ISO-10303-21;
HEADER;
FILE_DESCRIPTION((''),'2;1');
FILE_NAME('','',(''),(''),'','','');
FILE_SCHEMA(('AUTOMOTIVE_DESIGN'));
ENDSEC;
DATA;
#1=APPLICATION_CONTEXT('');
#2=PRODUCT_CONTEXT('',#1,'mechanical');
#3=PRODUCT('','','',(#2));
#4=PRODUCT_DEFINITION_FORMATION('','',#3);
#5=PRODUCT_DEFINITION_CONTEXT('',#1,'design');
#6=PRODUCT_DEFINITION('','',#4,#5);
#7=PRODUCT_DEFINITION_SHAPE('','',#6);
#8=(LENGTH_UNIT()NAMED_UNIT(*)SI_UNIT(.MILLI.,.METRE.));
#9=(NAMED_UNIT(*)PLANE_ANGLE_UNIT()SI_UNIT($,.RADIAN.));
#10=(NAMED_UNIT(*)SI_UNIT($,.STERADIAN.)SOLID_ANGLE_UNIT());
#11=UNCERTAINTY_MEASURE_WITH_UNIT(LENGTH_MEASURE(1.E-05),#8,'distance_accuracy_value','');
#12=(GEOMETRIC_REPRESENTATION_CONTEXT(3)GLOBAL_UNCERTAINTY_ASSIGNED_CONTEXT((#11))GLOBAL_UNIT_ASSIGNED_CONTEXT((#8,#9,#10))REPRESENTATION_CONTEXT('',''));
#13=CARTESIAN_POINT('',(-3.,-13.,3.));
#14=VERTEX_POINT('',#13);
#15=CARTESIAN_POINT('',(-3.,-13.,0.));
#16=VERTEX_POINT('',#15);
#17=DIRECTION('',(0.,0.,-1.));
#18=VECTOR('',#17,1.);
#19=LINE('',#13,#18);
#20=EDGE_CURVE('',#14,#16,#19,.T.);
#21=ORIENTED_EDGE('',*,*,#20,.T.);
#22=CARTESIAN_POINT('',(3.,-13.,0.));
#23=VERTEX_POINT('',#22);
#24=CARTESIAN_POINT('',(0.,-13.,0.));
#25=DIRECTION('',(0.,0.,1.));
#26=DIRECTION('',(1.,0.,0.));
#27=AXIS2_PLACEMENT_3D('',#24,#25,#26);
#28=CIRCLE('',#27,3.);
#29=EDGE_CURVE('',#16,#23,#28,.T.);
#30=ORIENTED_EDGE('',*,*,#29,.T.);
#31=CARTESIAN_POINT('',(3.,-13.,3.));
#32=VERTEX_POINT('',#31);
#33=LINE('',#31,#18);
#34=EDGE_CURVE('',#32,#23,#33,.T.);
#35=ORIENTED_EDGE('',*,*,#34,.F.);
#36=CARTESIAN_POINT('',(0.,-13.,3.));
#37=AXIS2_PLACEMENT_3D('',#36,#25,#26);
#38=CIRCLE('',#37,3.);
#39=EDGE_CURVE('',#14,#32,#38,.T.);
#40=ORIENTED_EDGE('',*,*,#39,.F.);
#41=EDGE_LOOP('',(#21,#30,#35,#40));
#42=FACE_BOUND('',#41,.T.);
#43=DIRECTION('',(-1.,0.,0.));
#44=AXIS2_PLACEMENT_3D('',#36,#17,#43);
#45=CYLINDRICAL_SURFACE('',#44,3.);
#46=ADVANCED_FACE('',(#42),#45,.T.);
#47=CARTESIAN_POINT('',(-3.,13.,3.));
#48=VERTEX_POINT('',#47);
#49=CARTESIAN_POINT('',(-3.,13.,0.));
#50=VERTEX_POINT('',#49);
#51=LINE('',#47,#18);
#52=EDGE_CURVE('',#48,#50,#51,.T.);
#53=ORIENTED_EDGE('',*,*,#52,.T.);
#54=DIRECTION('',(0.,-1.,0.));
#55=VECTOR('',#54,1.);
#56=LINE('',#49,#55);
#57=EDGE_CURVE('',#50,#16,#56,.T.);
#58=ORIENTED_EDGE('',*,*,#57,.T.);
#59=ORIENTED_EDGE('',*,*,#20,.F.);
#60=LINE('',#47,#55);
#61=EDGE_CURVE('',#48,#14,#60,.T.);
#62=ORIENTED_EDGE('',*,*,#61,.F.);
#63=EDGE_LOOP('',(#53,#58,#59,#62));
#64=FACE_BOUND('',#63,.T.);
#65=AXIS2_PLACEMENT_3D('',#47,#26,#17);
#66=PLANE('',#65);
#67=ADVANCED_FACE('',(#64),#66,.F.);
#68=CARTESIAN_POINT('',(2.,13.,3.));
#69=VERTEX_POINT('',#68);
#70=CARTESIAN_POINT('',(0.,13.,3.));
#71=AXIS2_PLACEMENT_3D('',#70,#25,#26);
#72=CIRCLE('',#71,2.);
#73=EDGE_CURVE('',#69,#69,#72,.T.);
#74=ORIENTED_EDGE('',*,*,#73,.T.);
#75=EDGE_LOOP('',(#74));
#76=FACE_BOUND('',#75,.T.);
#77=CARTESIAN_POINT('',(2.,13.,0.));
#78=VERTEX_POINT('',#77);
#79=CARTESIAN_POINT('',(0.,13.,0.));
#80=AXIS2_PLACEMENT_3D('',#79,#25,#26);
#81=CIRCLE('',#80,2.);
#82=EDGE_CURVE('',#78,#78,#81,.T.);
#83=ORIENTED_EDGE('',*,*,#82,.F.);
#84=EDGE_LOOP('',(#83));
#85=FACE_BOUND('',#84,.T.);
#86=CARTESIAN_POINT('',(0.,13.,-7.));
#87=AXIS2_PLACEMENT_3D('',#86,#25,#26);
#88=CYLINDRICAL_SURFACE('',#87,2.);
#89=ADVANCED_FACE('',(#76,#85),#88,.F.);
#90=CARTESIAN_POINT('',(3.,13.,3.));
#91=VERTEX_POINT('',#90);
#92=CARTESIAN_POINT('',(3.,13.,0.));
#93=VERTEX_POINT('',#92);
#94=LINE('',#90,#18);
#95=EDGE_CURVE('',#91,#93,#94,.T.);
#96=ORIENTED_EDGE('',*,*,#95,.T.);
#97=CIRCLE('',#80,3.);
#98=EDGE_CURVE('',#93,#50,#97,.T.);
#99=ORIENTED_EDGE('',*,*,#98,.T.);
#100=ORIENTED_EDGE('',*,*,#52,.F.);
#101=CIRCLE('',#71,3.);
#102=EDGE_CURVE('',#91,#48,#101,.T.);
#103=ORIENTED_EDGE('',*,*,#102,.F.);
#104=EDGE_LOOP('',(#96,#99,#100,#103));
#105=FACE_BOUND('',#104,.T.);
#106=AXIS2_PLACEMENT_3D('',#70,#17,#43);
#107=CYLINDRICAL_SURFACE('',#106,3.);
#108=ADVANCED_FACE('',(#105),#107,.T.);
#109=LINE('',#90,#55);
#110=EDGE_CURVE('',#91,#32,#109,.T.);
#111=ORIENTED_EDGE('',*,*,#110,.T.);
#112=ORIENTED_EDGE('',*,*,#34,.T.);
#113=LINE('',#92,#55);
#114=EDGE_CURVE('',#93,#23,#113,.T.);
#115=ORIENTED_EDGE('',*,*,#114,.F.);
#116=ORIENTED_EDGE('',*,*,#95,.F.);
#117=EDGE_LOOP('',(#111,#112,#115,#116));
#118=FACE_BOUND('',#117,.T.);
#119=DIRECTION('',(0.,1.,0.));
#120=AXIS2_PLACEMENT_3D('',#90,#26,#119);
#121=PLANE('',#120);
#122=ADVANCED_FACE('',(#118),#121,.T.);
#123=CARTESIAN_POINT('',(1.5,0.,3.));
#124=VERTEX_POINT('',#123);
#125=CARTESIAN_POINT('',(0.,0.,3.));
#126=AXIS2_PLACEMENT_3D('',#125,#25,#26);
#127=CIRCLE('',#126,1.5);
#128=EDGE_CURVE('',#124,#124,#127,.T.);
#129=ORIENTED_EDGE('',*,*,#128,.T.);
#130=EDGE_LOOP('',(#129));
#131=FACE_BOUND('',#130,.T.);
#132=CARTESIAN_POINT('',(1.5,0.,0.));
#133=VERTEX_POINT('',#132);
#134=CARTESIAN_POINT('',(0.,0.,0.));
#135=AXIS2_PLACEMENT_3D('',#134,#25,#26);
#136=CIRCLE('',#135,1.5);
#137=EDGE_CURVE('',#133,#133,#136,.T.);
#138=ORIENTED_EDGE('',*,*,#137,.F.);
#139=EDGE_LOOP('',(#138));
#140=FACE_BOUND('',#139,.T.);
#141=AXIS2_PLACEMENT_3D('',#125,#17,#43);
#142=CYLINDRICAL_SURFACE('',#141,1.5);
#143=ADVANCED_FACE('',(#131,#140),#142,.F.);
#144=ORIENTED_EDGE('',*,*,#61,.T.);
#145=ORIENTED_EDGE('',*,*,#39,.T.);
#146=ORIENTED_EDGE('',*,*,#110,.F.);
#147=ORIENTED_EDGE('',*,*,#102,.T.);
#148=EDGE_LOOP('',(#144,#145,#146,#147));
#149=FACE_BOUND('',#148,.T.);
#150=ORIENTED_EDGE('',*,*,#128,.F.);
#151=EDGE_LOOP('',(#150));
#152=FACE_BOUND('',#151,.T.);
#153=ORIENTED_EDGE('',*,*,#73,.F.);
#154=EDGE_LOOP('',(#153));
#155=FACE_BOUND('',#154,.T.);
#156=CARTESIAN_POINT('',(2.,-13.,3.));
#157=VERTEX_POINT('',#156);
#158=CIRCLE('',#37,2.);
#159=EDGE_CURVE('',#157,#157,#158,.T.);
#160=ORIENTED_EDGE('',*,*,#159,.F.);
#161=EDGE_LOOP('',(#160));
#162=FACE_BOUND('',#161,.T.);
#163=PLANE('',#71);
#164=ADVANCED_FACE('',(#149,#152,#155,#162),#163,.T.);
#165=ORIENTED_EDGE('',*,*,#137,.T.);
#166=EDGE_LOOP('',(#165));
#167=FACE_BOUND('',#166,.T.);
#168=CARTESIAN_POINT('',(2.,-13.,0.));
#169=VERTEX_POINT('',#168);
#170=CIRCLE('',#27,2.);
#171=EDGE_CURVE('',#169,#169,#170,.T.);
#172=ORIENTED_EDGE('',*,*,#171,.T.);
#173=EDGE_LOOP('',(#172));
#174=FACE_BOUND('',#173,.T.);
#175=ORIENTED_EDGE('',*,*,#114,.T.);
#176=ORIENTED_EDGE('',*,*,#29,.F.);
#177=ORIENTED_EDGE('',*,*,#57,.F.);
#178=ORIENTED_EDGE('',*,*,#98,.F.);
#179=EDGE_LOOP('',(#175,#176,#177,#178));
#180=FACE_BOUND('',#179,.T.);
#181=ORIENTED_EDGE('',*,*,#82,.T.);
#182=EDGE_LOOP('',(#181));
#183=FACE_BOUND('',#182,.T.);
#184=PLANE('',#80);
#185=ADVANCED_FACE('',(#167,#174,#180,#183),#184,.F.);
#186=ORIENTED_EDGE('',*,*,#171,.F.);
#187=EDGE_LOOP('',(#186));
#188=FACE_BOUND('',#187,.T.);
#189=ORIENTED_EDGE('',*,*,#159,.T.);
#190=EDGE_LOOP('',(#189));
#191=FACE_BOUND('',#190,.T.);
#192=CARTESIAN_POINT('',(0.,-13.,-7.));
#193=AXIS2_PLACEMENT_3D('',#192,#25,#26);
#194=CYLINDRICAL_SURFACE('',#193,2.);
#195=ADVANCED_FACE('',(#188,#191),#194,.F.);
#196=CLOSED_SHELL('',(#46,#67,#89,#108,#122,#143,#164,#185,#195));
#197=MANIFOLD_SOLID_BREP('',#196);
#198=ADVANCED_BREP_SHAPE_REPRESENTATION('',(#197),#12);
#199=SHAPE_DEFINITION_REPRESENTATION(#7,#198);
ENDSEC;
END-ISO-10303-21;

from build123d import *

# Parameters (mm, degrees)
SKETCH1_R           = 1.5
BOSS_EXTRUDE1_DEPTH = 3
SKETCH3_R           = 2
CUT_EXTRUDE2_DEPTH  = 10


with BuildPart() as part:
    # Sketch1 → Boss-Extrude1 (new body)
    with BuildSketch(Plane.XY):
        with BuildLine():
            Line((3, 13), (3, -13))
            ThreePointArc((3, -13), (0, -16), (-3, -13))
            Line((-3, -13), (-3, 13))
            ThreePointArc((-3, 13), (0, 16), (3, 13))
        make_face()
        with Locations((0, 13)):
            Circle(SKETCH1_R, mode=Mode.SUBTRACT)
        with Locations((0, -13)):
            Circle(SKETCH1_R, mode=Mode.SUBTRACT)
        Circle(SKETCH1_R, mode=Mode.SUBTRACT)
    extrude(amount=BOSS_EXTRUDE1_DEPTH)

    # Sketch3 → Cut-Extrude2 (cut)
    with BuildSketch(Plane.XY.offset(3)):
        with Locations((0, -13)):
            Circle(SKETCH3_R)
        with Locations((0, 13)):
            Circle(SKETCH3_R)
    extrude(amount=-CUT_EXTRUDE2_DEPTH, mode=Mode.SUBTRACT)


solid = part.part
